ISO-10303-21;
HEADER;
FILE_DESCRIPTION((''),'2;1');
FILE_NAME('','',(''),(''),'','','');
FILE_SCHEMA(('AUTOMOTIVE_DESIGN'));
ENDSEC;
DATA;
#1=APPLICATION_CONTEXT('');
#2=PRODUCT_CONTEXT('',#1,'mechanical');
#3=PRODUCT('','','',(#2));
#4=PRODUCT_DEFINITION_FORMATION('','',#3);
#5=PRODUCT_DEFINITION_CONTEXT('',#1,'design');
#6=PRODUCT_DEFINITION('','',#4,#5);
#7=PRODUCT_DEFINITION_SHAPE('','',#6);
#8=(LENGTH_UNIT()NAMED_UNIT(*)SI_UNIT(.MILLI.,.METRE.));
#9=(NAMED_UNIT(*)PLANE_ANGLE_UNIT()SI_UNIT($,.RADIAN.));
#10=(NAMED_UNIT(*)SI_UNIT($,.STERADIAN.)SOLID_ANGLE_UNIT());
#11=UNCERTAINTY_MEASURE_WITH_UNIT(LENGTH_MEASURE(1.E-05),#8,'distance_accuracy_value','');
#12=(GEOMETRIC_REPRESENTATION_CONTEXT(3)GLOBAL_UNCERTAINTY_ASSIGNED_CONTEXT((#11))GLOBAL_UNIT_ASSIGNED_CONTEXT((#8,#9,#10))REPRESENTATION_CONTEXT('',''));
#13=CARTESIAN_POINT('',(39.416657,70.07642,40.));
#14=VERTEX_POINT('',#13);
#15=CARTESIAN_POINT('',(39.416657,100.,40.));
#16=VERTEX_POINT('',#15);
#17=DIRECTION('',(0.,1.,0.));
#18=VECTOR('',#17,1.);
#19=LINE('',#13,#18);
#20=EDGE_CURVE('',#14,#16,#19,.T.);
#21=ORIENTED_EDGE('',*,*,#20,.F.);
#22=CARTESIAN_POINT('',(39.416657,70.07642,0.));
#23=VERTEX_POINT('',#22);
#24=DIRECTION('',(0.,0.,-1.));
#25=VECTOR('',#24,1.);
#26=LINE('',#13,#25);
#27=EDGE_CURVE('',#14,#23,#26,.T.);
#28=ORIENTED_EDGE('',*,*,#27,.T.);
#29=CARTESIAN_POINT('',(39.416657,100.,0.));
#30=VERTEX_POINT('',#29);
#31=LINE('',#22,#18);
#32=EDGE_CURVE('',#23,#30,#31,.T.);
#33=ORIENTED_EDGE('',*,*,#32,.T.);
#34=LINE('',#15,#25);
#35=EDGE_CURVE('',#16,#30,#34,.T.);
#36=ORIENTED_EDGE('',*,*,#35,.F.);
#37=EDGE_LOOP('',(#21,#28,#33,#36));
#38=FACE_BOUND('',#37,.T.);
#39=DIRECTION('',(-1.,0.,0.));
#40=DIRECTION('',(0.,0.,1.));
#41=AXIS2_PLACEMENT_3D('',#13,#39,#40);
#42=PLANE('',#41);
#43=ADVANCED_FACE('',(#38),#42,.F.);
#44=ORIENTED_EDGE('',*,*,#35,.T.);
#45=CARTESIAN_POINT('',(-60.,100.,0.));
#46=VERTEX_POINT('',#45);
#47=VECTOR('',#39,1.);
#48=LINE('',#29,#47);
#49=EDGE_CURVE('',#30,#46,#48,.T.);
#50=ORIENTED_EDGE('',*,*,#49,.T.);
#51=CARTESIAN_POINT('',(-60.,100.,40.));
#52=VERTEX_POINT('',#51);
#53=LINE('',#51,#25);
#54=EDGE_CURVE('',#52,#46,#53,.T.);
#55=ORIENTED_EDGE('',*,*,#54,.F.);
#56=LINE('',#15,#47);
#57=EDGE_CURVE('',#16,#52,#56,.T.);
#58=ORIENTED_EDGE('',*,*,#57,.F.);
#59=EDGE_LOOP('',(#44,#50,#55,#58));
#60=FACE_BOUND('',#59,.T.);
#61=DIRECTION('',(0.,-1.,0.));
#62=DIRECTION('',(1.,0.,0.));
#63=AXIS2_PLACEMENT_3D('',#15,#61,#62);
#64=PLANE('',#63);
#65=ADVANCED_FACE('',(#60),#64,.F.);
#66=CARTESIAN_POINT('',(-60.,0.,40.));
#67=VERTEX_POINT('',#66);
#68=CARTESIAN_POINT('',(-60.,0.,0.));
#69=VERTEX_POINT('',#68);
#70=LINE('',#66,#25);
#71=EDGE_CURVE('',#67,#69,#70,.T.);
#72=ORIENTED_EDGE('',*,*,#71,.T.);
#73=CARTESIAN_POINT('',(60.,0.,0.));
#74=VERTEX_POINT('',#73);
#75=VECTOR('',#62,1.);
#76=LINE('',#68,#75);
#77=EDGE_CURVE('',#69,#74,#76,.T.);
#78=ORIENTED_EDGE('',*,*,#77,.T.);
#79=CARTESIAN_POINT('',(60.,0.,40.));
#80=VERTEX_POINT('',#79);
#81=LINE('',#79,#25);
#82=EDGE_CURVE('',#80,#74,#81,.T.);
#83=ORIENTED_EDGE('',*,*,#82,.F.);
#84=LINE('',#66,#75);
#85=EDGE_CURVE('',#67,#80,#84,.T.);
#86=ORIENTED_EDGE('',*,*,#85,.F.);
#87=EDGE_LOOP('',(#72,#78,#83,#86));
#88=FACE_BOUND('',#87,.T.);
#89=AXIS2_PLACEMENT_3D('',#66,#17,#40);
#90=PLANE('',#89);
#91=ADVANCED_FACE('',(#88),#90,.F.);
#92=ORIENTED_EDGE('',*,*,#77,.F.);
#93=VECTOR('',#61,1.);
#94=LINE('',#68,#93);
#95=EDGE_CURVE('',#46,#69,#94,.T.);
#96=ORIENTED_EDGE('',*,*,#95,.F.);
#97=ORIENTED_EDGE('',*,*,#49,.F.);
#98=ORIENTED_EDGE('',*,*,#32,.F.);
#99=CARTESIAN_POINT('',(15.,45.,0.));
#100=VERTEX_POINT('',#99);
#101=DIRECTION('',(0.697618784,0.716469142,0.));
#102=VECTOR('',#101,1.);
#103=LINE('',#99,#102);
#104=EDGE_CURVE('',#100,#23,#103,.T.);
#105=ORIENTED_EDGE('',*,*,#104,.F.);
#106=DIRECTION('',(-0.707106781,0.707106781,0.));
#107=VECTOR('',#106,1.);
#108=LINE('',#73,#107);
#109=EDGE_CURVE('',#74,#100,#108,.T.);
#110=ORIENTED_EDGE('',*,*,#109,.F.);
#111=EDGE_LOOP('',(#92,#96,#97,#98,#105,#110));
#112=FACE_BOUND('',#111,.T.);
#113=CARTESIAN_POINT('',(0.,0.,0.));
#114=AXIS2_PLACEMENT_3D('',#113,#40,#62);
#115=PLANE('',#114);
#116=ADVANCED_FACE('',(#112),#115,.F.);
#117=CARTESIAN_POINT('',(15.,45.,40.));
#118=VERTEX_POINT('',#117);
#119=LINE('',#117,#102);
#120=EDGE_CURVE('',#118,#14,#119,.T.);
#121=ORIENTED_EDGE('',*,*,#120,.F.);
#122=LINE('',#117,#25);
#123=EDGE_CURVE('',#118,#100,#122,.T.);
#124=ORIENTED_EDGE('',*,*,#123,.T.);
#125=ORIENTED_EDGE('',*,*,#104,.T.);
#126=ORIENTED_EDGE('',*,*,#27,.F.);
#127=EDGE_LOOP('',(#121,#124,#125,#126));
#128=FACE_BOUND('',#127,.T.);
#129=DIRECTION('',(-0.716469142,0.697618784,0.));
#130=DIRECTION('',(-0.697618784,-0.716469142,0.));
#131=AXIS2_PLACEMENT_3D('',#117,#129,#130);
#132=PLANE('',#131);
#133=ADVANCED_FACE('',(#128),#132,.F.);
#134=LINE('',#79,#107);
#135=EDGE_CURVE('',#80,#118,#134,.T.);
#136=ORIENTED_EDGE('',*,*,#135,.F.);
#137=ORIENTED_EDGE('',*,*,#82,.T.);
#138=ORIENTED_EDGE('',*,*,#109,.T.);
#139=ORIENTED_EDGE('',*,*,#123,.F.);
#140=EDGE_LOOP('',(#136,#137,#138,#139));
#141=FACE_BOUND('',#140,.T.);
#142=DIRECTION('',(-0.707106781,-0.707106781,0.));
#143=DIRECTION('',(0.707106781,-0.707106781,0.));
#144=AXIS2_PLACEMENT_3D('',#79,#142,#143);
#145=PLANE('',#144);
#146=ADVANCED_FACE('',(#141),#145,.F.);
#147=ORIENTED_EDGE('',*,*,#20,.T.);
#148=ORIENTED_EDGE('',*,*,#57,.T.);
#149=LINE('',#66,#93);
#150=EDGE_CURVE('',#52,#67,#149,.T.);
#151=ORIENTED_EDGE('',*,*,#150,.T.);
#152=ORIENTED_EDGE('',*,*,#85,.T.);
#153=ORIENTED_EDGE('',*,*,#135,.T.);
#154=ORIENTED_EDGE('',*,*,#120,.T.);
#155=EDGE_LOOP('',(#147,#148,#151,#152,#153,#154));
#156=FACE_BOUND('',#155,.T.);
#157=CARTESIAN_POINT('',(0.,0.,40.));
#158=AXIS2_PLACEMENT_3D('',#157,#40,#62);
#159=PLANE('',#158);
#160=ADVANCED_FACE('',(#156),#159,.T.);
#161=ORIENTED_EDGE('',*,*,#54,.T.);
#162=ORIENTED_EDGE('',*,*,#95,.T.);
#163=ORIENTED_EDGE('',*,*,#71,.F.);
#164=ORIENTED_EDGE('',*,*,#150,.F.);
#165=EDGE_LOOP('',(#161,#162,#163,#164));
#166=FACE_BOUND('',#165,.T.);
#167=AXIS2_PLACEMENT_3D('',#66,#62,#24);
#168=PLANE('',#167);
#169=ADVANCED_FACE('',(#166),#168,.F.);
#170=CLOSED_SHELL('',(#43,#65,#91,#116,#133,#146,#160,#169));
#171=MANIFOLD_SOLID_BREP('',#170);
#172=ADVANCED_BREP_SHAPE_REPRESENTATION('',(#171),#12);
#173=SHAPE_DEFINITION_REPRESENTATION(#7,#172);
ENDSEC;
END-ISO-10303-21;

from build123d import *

# Parameters (mm, degrees)
BOSS_EXTRU_1_DEPTH = 40


with BuildPart() as part:
    # Esquisse1 → Boss.-Extru.1 (new body)
    with BuildSketch(Plane.XY):
        Polygon((-60, 0), (60, 0), (15, 45), (39.41665745, 70.076419979), (39.41665745, 100), (-60, 100), align=None)
    extrude(amount=BOSS_EXTRU_1_DEPTH)


solid = part.part
